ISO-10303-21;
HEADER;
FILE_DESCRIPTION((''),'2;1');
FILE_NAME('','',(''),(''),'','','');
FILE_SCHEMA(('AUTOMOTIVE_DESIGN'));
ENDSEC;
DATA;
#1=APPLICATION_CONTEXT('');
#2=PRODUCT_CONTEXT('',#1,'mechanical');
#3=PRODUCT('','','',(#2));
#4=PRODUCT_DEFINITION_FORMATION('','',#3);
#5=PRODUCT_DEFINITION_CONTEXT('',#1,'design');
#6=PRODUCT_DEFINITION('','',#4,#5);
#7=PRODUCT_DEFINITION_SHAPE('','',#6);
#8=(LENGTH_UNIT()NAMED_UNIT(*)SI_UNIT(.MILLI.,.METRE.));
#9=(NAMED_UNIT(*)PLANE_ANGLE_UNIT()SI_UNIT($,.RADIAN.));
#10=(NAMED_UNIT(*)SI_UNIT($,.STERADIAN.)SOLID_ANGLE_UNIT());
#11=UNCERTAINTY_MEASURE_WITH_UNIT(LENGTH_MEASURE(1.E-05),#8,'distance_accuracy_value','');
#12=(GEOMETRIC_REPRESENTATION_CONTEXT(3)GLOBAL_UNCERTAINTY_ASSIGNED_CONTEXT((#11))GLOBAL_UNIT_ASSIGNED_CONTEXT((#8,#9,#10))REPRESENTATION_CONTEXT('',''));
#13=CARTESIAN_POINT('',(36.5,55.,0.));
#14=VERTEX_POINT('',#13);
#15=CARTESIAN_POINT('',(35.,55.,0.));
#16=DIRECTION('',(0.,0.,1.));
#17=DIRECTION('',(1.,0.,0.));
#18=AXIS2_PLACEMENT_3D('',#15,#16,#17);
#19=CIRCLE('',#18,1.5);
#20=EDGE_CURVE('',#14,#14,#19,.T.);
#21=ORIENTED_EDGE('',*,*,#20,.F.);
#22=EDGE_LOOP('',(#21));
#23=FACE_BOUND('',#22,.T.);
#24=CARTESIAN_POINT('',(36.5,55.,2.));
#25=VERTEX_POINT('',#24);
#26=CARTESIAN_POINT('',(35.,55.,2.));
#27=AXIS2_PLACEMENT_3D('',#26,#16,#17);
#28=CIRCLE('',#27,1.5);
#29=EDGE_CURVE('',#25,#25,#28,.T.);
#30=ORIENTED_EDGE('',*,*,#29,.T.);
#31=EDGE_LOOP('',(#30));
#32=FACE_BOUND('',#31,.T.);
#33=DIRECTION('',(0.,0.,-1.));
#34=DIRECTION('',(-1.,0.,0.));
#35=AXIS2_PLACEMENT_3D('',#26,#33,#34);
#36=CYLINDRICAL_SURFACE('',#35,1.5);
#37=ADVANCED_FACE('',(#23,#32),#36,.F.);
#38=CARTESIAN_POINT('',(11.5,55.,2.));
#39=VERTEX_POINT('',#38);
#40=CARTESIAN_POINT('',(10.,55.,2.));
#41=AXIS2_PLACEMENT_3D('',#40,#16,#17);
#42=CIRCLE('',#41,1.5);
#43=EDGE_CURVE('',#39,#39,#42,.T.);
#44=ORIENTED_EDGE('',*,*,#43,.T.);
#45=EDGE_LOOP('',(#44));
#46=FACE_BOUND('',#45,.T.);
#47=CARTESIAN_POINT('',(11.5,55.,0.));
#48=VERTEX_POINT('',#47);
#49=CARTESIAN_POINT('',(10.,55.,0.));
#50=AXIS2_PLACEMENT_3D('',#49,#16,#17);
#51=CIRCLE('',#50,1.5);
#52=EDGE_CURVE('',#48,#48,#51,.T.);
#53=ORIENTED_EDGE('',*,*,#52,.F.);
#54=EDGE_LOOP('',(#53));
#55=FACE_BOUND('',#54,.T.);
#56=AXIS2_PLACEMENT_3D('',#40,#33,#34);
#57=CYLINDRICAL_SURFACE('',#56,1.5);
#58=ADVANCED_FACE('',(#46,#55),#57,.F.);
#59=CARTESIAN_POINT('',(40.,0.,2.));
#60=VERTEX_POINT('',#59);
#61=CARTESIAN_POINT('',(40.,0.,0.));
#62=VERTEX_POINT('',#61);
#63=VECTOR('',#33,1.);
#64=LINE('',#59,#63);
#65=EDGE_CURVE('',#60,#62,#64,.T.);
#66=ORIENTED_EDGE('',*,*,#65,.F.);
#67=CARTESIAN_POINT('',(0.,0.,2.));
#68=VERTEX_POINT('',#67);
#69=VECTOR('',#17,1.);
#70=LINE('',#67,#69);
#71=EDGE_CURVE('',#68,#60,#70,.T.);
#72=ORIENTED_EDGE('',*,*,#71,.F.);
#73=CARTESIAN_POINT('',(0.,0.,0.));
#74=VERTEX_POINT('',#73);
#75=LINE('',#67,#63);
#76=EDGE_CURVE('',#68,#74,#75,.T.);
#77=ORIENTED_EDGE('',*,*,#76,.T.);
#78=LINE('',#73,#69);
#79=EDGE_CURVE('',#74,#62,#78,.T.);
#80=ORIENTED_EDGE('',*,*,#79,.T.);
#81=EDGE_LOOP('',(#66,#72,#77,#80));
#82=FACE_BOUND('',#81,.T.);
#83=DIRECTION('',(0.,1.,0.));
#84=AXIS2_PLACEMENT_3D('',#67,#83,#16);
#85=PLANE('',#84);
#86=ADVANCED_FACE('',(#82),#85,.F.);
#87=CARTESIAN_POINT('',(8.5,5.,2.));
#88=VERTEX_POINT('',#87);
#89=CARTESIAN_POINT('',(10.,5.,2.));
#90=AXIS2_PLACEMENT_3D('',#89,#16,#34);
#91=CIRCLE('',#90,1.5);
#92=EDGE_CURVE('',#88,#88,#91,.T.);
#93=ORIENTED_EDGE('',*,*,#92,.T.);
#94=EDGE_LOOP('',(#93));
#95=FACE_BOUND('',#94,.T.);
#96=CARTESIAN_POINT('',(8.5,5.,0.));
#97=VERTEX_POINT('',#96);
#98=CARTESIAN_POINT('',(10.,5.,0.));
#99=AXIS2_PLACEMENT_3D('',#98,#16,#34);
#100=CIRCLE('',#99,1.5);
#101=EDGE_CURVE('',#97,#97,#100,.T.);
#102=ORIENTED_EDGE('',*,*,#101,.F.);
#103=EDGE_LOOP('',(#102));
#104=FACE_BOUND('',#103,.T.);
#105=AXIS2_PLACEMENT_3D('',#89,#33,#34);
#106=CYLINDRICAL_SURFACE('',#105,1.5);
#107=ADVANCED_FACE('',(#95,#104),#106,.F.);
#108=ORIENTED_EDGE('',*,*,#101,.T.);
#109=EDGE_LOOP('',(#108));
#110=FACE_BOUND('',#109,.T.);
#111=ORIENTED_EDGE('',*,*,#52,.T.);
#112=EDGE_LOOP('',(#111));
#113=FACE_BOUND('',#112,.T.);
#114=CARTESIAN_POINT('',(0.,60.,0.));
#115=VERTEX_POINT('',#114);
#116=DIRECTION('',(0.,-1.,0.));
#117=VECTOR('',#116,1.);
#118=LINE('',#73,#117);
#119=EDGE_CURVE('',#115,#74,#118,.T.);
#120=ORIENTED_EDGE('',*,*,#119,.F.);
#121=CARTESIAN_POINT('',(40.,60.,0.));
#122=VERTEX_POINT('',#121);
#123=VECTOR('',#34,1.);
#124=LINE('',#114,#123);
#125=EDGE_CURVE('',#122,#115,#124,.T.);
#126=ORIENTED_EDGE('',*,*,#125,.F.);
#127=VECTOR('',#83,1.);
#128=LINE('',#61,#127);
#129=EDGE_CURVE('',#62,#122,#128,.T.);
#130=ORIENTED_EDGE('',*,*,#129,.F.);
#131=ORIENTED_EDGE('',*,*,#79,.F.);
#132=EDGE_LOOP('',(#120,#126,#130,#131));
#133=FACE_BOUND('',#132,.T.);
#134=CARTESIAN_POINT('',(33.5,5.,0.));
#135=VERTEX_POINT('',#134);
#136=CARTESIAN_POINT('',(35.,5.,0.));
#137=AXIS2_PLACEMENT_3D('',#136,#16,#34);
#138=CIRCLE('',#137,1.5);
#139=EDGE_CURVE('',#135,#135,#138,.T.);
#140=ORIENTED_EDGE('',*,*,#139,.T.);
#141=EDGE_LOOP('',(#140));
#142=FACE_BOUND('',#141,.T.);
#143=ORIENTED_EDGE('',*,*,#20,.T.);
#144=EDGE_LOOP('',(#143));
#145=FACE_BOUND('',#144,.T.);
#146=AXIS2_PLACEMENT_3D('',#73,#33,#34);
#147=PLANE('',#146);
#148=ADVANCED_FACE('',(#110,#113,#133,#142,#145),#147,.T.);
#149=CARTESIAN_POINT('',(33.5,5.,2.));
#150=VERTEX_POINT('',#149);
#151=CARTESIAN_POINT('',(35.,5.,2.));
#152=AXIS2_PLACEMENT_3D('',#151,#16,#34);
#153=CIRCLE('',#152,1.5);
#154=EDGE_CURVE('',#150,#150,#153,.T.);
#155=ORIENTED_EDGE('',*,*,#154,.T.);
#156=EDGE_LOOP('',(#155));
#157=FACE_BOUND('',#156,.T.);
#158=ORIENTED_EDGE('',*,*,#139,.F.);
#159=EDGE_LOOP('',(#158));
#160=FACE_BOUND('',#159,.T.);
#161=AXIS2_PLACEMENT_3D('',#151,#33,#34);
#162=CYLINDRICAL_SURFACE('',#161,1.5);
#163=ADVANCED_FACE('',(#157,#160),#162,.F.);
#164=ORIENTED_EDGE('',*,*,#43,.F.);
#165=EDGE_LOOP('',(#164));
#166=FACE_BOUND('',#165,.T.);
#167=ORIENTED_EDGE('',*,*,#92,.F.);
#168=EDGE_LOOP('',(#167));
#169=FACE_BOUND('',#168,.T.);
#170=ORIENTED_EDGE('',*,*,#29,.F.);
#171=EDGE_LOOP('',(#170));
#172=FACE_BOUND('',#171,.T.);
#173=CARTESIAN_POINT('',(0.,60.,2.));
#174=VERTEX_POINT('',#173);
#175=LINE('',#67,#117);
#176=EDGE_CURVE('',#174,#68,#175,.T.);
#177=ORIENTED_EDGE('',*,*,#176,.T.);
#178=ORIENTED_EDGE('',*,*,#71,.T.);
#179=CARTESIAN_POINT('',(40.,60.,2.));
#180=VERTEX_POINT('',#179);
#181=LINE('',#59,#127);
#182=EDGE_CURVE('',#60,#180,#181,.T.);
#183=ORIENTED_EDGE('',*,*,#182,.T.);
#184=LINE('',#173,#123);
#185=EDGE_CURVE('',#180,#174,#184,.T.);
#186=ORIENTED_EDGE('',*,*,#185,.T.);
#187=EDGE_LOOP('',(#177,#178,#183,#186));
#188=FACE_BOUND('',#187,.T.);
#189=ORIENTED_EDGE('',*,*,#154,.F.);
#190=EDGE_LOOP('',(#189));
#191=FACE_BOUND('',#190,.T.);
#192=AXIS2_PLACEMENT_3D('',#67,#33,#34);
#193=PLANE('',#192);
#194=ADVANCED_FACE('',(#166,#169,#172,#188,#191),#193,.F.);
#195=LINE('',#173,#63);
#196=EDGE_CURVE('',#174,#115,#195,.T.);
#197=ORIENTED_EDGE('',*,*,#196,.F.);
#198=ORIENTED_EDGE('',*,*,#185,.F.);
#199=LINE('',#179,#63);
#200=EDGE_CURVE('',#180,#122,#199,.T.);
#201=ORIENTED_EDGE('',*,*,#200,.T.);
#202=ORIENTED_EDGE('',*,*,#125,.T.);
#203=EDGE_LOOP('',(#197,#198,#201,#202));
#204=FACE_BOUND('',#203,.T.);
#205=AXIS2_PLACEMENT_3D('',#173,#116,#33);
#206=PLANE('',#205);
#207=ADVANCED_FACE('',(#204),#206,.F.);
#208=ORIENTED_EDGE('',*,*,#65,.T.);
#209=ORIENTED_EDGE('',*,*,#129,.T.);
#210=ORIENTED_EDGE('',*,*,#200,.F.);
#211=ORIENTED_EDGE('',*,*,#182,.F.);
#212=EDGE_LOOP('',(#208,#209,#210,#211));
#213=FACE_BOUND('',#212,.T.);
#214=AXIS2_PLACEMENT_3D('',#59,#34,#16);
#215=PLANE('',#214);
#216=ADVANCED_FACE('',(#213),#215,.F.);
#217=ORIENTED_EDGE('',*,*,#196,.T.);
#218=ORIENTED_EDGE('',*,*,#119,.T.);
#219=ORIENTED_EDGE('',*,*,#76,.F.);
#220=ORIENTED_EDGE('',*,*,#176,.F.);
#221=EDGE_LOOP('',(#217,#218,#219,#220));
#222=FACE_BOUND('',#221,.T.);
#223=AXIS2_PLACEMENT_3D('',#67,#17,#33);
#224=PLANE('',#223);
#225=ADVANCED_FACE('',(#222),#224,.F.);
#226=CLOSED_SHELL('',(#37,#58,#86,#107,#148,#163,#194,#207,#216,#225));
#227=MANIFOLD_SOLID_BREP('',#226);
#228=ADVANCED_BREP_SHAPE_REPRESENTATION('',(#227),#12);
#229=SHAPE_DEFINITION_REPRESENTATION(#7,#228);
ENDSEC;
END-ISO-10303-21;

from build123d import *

# Parameters (mm, degrees)
SKETCH_1_W      = 40
SKETCH_1_H      = 60
SKETCH_1_R      = 1.5
EXTRUDE_2_DEPTH = 2


with BuildPart() as part:
    # 草图1 → 凸台-拉伸2 (new body)
    with BuildSketch(Plane.XY):
        with Locations((20, 30)):
            Rectangle(SKETCH_1_W, SKETCH_1_H)
        with Locations((10, 55)):
            Circle(SKETCH_1_R, mode=Mode.SUBTRACT)
        with Locations((35, 55)):
            Circle(SKETCH_1_R, mode=Mode.SUBTRACT)
        with Locations(Location((10, 5, 0), (0, 0, 180))):
            Circle(SKETCH_1_R, mode=Mode.SUBTRACT)
        with Locations(Location((35, 5, 0), (0, 0, 180))):
            Circle(SKETCH_1_R, mode=Mode.SUBTRACT)
    extrude(amount=EXTRUDE_2_DEPTH)


solid = part.part
